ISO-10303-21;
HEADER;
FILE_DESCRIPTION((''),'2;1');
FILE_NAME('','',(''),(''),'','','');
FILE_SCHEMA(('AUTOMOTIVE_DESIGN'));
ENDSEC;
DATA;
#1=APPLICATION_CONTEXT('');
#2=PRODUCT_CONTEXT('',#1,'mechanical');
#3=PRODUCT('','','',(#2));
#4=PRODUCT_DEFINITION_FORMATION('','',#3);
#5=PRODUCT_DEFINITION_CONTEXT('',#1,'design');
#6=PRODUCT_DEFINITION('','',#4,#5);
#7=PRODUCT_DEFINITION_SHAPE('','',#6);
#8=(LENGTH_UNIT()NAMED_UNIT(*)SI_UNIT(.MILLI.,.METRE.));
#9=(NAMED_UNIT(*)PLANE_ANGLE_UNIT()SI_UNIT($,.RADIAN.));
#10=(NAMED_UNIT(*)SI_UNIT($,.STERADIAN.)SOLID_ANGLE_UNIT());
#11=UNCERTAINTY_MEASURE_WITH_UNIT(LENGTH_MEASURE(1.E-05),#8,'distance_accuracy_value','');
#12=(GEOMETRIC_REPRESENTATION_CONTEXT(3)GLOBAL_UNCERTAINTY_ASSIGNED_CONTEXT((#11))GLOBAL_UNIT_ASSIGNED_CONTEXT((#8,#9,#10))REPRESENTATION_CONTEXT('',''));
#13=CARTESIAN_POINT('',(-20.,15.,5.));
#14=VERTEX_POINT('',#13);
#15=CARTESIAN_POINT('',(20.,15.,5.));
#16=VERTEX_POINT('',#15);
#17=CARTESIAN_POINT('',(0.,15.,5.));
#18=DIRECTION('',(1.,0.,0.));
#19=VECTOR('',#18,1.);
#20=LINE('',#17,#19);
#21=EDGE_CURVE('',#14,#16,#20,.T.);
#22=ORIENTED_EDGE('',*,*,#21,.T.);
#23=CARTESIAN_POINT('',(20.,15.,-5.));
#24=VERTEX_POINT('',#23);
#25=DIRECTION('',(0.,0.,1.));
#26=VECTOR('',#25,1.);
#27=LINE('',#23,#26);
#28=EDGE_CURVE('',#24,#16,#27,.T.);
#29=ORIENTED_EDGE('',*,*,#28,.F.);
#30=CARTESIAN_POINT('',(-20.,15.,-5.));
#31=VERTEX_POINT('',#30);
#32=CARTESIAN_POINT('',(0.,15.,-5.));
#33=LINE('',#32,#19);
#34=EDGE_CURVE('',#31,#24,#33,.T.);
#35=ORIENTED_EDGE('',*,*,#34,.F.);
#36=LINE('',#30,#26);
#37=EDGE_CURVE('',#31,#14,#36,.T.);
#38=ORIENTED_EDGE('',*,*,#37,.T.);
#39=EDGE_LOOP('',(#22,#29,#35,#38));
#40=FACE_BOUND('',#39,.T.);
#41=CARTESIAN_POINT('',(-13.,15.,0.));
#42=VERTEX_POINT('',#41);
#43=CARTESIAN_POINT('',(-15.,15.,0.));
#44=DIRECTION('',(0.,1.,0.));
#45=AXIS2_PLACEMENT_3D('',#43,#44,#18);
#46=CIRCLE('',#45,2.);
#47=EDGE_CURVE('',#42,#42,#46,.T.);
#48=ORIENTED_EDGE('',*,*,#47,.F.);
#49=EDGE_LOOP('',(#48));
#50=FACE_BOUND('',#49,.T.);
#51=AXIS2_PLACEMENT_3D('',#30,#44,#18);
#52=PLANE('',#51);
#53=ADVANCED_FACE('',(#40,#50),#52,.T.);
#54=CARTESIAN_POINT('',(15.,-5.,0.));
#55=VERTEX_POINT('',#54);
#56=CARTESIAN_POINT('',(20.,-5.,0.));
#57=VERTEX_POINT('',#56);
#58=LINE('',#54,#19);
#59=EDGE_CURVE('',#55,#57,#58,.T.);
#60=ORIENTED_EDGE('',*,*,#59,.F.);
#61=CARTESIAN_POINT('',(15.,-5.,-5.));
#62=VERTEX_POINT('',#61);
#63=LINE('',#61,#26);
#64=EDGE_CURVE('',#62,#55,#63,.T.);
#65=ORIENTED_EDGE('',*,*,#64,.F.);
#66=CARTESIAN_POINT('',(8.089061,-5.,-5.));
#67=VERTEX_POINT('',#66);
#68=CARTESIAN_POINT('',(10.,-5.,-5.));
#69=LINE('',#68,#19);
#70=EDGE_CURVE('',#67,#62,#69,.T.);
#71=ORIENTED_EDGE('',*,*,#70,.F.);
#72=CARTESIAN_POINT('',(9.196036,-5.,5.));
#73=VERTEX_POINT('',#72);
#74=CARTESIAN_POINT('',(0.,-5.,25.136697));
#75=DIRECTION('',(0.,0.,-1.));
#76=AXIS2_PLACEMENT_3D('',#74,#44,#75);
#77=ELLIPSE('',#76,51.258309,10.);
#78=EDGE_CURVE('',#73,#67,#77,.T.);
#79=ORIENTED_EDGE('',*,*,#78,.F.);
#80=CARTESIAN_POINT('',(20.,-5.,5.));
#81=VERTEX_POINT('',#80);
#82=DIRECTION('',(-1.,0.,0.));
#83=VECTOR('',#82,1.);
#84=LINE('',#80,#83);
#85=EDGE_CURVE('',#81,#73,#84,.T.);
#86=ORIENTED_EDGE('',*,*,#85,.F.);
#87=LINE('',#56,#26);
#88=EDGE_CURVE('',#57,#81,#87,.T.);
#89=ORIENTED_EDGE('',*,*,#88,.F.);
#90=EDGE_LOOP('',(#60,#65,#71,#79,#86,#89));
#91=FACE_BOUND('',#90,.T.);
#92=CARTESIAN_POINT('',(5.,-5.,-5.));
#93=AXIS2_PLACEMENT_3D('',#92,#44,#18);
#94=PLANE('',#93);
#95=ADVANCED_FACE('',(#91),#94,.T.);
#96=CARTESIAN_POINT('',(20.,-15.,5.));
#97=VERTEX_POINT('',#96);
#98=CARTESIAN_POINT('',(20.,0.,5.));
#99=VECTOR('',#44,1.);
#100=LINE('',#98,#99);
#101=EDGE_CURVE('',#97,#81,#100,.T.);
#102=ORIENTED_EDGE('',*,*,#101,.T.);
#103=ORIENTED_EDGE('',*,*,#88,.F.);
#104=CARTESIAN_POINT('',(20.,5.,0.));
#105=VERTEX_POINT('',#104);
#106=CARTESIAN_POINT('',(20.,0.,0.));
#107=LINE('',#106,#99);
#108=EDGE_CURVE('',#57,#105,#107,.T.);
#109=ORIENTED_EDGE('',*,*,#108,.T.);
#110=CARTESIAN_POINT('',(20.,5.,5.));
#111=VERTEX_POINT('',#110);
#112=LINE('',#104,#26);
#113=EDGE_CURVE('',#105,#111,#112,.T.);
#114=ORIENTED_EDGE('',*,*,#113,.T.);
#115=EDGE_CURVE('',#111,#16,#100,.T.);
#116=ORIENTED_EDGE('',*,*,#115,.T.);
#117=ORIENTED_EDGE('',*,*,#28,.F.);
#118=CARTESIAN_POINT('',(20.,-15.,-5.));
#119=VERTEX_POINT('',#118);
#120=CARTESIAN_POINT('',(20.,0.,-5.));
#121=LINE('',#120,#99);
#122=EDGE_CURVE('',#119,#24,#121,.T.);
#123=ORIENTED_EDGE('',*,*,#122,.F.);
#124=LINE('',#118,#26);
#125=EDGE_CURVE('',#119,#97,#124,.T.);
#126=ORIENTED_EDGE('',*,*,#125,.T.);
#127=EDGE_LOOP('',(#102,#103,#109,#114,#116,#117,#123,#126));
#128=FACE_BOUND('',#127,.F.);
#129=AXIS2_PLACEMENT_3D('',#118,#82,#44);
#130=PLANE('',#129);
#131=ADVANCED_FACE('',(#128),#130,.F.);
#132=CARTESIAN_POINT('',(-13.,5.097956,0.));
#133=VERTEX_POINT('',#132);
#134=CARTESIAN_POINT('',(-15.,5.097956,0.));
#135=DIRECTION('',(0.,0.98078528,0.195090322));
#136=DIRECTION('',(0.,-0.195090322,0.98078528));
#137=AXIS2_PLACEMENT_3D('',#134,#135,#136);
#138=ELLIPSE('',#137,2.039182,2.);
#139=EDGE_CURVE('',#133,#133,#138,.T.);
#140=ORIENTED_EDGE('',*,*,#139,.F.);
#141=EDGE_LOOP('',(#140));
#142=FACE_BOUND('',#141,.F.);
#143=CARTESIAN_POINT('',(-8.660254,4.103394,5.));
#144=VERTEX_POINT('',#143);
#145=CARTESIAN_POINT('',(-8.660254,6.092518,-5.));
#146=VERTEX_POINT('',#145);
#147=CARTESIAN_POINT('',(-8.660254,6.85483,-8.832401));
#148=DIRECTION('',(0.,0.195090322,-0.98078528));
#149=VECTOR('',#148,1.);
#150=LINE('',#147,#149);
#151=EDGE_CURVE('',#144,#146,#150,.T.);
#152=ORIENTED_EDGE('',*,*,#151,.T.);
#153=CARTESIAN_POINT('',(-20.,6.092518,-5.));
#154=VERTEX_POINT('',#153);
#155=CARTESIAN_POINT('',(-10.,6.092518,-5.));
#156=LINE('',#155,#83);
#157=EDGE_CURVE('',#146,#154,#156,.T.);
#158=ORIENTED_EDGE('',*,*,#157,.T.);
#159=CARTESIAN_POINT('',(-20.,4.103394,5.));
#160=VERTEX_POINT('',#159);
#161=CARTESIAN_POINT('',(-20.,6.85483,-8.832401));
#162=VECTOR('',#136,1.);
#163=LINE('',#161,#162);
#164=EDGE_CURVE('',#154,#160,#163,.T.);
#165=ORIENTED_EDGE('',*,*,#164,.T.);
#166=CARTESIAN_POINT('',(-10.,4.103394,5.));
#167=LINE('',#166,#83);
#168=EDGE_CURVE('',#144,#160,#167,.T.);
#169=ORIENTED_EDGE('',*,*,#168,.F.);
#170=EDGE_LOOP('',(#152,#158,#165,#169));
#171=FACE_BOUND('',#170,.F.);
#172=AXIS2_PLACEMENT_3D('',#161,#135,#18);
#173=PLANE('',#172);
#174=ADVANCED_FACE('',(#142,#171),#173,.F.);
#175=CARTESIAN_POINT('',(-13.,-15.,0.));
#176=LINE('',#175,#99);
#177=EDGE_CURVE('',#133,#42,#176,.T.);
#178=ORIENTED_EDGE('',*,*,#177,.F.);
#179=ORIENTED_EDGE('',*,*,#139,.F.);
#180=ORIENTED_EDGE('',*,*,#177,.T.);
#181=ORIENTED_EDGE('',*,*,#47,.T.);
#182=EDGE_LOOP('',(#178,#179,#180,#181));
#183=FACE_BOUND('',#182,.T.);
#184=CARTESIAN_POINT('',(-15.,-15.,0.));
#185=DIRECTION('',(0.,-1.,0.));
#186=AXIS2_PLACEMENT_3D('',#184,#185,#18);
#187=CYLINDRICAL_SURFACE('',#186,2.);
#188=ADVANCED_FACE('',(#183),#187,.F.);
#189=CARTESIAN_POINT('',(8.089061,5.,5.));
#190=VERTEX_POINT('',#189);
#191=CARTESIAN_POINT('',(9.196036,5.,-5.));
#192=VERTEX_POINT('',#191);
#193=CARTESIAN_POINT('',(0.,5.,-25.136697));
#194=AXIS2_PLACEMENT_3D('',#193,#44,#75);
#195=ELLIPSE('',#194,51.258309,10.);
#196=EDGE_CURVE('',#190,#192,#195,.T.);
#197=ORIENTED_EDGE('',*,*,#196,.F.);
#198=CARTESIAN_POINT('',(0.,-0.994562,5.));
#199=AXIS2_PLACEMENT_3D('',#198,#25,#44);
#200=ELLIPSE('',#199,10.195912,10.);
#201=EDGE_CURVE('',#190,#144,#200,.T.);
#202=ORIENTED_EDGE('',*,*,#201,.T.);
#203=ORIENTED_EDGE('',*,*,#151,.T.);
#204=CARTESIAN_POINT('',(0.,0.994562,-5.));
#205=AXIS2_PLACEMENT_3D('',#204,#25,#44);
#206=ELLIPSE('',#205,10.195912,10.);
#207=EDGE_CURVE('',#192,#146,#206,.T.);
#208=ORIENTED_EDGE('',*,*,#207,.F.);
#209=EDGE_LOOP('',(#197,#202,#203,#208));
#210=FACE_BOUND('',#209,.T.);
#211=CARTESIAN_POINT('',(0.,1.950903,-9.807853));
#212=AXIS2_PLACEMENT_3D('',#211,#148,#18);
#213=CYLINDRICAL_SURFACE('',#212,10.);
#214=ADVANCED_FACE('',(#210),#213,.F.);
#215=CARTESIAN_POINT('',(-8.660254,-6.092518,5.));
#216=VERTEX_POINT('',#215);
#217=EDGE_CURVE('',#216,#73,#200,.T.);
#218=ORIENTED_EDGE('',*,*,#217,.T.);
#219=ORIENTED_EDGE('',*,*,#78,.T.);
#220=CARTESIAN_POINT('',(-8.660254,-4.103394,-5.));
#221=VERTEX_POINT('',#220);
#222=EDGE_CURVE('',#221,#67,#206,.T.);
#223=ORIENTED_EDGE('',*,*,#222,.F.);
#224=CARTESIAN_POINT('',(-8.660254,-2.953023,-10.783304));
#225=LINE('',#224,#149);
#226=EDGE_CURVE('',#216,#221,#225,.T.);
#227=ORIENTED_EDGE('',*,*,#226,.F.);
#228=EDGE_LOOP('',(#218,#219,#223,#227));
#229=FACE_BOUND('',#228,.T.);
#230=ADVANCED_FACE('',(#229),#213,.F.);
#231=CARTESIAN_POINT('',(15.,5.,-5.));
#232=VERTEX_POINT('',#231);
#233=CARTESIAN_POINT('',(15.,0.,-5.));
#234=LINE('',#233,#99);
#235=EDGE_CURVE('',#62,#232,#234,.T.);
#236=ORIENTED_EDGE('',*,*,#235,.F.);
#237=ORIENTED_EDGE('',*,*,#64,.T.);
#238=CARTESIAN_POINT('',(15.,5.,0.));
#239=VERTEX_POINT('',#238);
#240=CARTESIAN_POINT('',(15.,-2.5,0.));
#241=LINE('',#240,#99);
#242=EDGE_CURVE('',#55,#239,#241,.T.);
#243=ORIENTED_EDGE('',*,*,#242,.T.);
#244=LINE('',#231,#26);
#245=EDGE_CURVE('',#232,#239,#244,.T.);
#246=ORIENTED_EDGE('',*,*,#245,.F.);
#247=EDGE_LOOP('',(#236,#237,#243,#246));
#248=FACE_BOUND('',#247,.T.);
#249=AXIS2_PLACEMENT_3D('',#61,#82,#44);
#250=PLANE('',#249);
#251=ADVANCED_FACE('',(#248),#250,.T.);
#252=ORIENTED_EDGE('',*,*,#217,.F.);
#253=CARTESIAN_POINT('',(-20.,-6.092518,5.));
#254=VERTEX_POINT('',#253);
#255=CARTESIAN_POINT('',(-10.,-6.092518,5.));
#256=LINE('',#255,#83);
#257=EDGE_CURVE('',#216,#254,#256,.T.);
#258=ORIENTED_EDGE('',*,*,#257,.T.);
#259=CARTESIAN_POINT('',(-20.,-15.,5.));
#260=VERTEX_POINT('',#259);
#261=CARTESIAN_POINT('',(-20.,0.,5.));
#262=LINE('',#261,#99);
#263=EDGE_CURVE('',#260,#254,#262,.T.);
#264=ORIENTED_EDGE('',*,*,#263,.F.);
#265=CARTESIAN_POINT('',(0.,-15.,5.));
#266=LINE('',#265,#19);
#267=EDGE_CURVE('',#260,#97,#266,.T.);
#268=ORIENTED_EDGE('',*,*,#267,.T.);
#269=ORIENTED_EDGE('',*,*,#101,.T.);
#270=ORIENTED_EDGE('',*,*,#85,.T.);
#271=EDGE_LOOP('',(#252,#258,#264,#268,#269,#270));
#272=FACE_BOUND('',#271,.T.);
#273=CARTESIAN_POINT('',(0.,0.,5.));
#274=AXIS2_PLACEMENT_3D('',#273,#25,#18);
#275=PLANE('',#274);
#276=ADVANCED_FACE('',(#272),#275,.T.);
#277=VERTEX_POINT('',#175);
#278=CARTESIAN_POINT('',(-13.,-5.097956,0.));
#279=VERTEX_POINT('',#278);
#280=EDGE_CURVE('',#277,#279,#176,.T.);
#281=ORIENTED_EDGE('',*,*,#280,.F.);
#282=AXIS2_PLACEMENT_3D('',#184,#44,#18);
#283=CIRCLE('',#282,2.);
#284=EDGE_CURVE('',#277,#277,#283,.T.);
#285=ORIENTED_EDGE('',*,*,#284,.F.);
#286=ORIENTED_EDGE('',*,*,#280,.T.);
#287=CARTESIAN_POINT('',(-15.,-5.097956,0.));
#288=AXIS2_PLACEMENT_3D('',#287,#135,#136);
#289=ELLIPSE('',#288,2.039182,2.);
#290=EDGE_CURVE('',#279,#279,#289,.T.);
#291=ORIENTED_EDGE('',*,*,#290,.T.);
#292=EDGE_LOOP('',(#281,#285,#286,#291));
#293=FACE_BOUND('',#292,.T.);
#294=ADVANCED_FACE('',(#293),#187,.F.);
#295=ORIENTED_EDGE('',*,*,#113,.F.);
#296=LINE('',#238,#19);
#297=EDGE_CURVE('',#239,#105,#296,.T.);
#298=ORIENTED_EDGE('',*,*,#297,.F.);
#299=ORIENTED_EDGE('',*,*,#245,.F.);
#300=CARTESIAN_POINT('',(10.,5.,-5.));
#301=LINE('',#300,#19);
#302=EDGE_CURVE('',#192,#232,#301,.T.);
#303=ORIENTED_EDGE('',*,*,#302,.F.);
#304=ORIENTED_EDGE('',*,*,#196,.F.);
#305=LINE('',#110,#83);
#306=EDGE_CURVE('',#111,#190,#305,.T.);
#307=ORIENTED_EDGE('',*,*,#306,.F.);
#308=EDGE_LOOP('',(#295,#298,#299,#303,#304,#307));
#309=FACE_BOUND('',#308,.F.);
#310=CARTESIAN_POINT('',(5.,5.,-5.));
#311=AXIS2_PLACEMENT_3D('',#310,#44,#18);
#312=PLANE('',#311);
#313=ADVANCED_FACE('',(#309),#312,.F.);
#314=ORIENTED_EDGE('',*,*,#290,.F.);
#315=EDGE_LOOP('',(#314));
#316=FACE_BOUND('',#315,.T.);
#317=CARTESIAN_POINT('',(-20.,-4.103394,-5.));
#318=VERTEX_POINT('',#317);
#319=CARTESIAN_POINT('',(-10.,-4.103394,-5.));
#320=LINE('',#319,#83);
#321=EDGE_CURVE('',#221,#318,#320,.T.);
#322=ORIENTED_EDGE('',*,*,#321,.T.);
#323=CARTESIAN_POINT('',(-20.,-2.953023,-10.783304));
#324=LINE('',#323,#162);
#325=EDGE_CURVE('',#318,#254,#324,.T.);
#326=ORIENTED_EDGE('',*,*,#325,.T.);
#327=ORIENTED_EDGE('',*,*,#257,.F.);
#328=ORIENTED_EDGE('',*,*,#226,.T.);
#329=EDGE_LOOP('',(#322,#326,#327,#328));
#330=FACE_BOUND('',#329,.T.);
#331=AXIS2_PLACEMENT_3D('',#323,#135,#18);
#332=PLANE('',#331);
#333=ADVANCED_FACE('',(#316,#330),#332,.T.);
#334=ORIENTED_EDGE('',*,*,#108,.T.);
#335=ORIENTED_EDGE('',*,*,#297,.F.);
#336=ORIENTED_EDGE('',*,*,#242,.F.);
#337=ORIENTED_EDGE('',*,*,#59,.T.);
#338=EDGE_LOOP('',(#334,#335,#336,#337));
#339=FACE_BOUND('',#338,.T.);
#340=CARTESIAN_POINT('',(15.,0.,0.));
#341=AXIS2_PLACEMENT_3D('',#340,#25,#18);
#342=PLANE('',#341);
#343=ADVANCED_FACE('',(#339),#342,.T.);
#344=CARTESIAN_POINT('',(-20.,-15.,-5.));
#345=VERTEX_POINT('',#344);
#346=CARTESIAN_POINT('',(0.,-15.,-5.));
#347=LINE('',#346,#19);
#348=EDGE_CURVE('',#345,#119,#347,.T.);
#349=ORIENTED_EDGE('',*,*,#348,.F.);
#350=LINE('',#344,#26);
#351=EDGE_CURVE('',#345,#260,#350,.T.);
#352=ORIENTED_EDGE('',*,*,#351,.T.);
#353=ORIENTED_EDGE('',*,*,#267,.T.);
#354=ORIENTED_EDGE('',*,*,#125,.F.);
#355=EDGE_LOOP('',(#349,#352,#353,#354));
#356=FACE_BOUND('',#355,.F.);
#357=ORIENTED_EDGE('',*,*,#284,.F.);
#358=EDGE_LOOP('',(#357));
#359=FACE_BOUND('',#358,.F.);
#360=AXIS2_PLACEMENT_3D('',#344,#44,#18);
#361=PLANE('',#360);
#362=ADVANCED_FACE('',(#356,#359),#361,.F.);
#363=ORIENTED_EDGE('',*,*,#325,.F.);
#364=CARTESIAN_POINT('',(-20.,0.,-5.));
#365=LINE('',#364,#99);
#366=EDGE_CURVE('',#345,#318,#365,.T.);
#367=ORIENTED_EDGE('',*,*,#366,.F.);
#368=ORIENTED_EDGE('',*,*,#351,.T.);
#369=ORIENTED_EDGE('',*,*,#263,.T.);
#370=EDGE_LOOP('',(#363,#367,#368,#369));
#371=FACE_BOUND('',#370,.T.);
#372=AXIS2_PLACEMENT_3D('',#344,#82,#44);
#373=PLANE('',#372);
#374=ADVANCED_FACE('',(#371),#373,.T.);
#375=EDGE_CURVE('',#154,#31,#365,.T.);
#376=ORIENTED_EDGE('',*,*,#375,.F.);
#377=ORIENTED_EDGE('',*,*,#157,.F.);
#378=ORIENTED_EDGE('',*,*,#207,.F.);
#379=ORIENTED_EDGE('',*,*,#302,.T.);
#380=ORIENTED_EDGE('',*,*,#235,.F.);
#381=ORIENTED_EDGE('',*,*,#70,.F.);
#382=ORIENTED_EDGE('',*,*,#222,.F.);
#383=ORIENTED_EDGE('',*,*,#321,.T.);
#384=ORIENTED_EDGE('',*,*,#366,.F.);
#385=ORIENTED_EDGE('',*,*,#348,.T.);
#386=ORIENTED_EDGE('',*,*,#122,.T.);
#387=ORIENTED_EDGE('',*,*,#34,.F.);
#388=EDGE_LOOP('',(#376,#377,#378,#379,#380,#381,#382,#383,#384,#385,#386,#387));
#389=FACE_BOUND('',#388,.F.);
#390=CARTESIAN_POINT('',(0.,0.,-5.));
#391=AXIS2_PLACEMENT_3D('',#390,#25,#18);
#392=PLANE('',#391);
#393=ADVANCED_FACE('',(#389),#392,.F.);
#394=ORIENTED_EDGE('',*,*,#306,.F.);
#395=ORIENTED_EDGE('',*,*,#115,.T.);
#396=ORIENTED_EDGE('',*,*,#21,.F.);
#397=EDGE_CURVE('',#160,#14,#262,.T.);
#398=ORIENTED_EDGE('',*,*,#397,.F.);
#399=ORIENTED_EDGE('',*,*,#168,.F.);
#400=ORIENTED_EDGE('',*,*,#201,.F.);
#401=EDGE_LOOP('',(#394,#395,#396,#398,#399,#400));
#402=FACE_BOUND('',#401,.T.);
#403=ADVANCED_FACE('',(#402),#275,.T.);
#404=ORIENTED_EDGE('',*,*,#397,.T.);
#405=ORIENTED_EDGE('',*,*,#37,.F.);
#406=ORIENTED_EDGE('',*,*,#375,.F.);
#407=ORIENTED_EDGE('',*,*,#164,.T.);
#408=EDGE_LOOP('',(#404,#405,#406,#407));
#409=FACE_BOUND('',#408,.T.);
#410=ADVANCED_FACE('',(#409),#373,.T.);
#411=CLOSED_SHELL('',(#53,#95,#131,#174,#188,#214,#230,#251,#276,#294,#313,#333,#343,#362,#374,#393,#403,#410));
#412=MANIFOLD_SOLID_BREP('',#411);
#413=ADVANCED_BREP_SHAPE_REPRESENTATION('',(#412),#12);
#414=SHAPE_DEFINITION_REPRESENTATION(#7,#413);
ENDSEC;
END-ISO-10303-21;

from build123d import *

# Parameters (mm, degrees)
BOX002_W               = 10
BOX002_H               = 10
BOX002_DEPTH           = 5
CYLINDER003_R          = 2
CYLINDER003_DEPTH      = 30
CYLINDER003_ROLL_ANGLE = -90
CYLINDER004_R          = 10
CYLINDER004_DEPTH      = 20
BOX003_W               = 15
BOX003_H               = 10
BOX003_DEPTH           = 20
FUSION001_ROLL_ANGLE   = 11.25
BOX001_W               = 10
BOX001_H               = 10
BOX001_DEPTH           = 10
BOX_W                  = 40
BOX_H                  = 30
BOX_DEPTH              = 10


with BuildPart() as cube002:
    # Box002 → Box002 (new body)
    with BuildSketch(Plane(origin=(10, -5, 0), x_dir=(1, 0, 0), z_dir=(0, 0, 1))):
        with Locations((5, 5)):
            Rectangle(BOX002_W, BOX002_H)
    extrude(amount=BOX002_DEPTH)


with BuildPart() as cylinder003:
    # Cylinder003 → Cylinder003 (new body)
    with BuildSketch(Plane.XY):
        Circle(CYLINDER003_R)
    extrude(amount=CYLINDER003_DEPTH)


with BuildPart() as cylinder003_1:
    # Cylinder003 roll: moved
    add(cylinder003.part.rotate(Axis((0, 0, 0), (1, 0, 0)), CYLINDER003_ROLL_ANGLE))


with BuildPart() as cylinder003_2:
    # Cylinder003 placement: moved
    add(cylinder003_1.part.moved(Location((-15, -15, 0))))


with BuildPart() as rail_cylinder:
    # Cylinder004 → Cylinder004 (new body)
    with BuildSketch(Plane.XY.offset(-10)):
        Circle(CYLINDER004_R)
    extrude(amount=CYLINDER004_DEPTH)


with BuildPart() as fusion001:
    # Box003 → Box003 (new body)
    with BuildSketch(Plane(origin=(-20, -5, -10), x_dir=(1, 0, 0), z_dir=(0, 0, 1))):
        with Locations((7.5, 5)):
            Rectangle(BOX003_W, BOX003_H)
    extrude(amount=BOX003_DEPTH)

    # Fusion001: union Rail Cylinder
    add(rail_cylinder.part)


with BuildPart() as fusion001_1:
    # Fusion001 roll: moved
    add(fusion001.part.rotate(Axis((0, 0, 0), (1, 0, 0)), FUSION001_ROLL_ANGLE))


with BuildPart() as fusion001_2:
    # Fusion001 placement: moved
    add(fusion001_1.part)


with BuildPart() as negative_fusion:
    # Box001 → Box001 (new body)
    with BuildSketch(Plane(origin=(5, -5, -5), x_dir=(1, 0, 0), z_dir=(0, 0, 1))):
        with Locations((5, 5)):
            Rectangle(BOX001_W, BOX001_H)
    extrude(amount=BOX001_DEPTH)

    # Fusion: union Cube002, Cylinder003, Fusion001
    add(cube002.part)
    add(cylinder003_2.part)
    add(fusion001_2.part)


with BuildPart() as cut:
    # Box → Box (new body)
    with BuildSketch(Plane(origin=(-20, -15, -5), x_dir=(1, 0, 0), z_dir=(0, 0, 1))):
        with Locations((20, 15)):
            Rectangle(BOX_W, BOX_H)
    extrude(amount=BOX_DEPTH)

    # Cut: cut Negative Fusion
    add(negative_fusion.part, mode=Mode.SUBTRACT)


solid = cut.part
